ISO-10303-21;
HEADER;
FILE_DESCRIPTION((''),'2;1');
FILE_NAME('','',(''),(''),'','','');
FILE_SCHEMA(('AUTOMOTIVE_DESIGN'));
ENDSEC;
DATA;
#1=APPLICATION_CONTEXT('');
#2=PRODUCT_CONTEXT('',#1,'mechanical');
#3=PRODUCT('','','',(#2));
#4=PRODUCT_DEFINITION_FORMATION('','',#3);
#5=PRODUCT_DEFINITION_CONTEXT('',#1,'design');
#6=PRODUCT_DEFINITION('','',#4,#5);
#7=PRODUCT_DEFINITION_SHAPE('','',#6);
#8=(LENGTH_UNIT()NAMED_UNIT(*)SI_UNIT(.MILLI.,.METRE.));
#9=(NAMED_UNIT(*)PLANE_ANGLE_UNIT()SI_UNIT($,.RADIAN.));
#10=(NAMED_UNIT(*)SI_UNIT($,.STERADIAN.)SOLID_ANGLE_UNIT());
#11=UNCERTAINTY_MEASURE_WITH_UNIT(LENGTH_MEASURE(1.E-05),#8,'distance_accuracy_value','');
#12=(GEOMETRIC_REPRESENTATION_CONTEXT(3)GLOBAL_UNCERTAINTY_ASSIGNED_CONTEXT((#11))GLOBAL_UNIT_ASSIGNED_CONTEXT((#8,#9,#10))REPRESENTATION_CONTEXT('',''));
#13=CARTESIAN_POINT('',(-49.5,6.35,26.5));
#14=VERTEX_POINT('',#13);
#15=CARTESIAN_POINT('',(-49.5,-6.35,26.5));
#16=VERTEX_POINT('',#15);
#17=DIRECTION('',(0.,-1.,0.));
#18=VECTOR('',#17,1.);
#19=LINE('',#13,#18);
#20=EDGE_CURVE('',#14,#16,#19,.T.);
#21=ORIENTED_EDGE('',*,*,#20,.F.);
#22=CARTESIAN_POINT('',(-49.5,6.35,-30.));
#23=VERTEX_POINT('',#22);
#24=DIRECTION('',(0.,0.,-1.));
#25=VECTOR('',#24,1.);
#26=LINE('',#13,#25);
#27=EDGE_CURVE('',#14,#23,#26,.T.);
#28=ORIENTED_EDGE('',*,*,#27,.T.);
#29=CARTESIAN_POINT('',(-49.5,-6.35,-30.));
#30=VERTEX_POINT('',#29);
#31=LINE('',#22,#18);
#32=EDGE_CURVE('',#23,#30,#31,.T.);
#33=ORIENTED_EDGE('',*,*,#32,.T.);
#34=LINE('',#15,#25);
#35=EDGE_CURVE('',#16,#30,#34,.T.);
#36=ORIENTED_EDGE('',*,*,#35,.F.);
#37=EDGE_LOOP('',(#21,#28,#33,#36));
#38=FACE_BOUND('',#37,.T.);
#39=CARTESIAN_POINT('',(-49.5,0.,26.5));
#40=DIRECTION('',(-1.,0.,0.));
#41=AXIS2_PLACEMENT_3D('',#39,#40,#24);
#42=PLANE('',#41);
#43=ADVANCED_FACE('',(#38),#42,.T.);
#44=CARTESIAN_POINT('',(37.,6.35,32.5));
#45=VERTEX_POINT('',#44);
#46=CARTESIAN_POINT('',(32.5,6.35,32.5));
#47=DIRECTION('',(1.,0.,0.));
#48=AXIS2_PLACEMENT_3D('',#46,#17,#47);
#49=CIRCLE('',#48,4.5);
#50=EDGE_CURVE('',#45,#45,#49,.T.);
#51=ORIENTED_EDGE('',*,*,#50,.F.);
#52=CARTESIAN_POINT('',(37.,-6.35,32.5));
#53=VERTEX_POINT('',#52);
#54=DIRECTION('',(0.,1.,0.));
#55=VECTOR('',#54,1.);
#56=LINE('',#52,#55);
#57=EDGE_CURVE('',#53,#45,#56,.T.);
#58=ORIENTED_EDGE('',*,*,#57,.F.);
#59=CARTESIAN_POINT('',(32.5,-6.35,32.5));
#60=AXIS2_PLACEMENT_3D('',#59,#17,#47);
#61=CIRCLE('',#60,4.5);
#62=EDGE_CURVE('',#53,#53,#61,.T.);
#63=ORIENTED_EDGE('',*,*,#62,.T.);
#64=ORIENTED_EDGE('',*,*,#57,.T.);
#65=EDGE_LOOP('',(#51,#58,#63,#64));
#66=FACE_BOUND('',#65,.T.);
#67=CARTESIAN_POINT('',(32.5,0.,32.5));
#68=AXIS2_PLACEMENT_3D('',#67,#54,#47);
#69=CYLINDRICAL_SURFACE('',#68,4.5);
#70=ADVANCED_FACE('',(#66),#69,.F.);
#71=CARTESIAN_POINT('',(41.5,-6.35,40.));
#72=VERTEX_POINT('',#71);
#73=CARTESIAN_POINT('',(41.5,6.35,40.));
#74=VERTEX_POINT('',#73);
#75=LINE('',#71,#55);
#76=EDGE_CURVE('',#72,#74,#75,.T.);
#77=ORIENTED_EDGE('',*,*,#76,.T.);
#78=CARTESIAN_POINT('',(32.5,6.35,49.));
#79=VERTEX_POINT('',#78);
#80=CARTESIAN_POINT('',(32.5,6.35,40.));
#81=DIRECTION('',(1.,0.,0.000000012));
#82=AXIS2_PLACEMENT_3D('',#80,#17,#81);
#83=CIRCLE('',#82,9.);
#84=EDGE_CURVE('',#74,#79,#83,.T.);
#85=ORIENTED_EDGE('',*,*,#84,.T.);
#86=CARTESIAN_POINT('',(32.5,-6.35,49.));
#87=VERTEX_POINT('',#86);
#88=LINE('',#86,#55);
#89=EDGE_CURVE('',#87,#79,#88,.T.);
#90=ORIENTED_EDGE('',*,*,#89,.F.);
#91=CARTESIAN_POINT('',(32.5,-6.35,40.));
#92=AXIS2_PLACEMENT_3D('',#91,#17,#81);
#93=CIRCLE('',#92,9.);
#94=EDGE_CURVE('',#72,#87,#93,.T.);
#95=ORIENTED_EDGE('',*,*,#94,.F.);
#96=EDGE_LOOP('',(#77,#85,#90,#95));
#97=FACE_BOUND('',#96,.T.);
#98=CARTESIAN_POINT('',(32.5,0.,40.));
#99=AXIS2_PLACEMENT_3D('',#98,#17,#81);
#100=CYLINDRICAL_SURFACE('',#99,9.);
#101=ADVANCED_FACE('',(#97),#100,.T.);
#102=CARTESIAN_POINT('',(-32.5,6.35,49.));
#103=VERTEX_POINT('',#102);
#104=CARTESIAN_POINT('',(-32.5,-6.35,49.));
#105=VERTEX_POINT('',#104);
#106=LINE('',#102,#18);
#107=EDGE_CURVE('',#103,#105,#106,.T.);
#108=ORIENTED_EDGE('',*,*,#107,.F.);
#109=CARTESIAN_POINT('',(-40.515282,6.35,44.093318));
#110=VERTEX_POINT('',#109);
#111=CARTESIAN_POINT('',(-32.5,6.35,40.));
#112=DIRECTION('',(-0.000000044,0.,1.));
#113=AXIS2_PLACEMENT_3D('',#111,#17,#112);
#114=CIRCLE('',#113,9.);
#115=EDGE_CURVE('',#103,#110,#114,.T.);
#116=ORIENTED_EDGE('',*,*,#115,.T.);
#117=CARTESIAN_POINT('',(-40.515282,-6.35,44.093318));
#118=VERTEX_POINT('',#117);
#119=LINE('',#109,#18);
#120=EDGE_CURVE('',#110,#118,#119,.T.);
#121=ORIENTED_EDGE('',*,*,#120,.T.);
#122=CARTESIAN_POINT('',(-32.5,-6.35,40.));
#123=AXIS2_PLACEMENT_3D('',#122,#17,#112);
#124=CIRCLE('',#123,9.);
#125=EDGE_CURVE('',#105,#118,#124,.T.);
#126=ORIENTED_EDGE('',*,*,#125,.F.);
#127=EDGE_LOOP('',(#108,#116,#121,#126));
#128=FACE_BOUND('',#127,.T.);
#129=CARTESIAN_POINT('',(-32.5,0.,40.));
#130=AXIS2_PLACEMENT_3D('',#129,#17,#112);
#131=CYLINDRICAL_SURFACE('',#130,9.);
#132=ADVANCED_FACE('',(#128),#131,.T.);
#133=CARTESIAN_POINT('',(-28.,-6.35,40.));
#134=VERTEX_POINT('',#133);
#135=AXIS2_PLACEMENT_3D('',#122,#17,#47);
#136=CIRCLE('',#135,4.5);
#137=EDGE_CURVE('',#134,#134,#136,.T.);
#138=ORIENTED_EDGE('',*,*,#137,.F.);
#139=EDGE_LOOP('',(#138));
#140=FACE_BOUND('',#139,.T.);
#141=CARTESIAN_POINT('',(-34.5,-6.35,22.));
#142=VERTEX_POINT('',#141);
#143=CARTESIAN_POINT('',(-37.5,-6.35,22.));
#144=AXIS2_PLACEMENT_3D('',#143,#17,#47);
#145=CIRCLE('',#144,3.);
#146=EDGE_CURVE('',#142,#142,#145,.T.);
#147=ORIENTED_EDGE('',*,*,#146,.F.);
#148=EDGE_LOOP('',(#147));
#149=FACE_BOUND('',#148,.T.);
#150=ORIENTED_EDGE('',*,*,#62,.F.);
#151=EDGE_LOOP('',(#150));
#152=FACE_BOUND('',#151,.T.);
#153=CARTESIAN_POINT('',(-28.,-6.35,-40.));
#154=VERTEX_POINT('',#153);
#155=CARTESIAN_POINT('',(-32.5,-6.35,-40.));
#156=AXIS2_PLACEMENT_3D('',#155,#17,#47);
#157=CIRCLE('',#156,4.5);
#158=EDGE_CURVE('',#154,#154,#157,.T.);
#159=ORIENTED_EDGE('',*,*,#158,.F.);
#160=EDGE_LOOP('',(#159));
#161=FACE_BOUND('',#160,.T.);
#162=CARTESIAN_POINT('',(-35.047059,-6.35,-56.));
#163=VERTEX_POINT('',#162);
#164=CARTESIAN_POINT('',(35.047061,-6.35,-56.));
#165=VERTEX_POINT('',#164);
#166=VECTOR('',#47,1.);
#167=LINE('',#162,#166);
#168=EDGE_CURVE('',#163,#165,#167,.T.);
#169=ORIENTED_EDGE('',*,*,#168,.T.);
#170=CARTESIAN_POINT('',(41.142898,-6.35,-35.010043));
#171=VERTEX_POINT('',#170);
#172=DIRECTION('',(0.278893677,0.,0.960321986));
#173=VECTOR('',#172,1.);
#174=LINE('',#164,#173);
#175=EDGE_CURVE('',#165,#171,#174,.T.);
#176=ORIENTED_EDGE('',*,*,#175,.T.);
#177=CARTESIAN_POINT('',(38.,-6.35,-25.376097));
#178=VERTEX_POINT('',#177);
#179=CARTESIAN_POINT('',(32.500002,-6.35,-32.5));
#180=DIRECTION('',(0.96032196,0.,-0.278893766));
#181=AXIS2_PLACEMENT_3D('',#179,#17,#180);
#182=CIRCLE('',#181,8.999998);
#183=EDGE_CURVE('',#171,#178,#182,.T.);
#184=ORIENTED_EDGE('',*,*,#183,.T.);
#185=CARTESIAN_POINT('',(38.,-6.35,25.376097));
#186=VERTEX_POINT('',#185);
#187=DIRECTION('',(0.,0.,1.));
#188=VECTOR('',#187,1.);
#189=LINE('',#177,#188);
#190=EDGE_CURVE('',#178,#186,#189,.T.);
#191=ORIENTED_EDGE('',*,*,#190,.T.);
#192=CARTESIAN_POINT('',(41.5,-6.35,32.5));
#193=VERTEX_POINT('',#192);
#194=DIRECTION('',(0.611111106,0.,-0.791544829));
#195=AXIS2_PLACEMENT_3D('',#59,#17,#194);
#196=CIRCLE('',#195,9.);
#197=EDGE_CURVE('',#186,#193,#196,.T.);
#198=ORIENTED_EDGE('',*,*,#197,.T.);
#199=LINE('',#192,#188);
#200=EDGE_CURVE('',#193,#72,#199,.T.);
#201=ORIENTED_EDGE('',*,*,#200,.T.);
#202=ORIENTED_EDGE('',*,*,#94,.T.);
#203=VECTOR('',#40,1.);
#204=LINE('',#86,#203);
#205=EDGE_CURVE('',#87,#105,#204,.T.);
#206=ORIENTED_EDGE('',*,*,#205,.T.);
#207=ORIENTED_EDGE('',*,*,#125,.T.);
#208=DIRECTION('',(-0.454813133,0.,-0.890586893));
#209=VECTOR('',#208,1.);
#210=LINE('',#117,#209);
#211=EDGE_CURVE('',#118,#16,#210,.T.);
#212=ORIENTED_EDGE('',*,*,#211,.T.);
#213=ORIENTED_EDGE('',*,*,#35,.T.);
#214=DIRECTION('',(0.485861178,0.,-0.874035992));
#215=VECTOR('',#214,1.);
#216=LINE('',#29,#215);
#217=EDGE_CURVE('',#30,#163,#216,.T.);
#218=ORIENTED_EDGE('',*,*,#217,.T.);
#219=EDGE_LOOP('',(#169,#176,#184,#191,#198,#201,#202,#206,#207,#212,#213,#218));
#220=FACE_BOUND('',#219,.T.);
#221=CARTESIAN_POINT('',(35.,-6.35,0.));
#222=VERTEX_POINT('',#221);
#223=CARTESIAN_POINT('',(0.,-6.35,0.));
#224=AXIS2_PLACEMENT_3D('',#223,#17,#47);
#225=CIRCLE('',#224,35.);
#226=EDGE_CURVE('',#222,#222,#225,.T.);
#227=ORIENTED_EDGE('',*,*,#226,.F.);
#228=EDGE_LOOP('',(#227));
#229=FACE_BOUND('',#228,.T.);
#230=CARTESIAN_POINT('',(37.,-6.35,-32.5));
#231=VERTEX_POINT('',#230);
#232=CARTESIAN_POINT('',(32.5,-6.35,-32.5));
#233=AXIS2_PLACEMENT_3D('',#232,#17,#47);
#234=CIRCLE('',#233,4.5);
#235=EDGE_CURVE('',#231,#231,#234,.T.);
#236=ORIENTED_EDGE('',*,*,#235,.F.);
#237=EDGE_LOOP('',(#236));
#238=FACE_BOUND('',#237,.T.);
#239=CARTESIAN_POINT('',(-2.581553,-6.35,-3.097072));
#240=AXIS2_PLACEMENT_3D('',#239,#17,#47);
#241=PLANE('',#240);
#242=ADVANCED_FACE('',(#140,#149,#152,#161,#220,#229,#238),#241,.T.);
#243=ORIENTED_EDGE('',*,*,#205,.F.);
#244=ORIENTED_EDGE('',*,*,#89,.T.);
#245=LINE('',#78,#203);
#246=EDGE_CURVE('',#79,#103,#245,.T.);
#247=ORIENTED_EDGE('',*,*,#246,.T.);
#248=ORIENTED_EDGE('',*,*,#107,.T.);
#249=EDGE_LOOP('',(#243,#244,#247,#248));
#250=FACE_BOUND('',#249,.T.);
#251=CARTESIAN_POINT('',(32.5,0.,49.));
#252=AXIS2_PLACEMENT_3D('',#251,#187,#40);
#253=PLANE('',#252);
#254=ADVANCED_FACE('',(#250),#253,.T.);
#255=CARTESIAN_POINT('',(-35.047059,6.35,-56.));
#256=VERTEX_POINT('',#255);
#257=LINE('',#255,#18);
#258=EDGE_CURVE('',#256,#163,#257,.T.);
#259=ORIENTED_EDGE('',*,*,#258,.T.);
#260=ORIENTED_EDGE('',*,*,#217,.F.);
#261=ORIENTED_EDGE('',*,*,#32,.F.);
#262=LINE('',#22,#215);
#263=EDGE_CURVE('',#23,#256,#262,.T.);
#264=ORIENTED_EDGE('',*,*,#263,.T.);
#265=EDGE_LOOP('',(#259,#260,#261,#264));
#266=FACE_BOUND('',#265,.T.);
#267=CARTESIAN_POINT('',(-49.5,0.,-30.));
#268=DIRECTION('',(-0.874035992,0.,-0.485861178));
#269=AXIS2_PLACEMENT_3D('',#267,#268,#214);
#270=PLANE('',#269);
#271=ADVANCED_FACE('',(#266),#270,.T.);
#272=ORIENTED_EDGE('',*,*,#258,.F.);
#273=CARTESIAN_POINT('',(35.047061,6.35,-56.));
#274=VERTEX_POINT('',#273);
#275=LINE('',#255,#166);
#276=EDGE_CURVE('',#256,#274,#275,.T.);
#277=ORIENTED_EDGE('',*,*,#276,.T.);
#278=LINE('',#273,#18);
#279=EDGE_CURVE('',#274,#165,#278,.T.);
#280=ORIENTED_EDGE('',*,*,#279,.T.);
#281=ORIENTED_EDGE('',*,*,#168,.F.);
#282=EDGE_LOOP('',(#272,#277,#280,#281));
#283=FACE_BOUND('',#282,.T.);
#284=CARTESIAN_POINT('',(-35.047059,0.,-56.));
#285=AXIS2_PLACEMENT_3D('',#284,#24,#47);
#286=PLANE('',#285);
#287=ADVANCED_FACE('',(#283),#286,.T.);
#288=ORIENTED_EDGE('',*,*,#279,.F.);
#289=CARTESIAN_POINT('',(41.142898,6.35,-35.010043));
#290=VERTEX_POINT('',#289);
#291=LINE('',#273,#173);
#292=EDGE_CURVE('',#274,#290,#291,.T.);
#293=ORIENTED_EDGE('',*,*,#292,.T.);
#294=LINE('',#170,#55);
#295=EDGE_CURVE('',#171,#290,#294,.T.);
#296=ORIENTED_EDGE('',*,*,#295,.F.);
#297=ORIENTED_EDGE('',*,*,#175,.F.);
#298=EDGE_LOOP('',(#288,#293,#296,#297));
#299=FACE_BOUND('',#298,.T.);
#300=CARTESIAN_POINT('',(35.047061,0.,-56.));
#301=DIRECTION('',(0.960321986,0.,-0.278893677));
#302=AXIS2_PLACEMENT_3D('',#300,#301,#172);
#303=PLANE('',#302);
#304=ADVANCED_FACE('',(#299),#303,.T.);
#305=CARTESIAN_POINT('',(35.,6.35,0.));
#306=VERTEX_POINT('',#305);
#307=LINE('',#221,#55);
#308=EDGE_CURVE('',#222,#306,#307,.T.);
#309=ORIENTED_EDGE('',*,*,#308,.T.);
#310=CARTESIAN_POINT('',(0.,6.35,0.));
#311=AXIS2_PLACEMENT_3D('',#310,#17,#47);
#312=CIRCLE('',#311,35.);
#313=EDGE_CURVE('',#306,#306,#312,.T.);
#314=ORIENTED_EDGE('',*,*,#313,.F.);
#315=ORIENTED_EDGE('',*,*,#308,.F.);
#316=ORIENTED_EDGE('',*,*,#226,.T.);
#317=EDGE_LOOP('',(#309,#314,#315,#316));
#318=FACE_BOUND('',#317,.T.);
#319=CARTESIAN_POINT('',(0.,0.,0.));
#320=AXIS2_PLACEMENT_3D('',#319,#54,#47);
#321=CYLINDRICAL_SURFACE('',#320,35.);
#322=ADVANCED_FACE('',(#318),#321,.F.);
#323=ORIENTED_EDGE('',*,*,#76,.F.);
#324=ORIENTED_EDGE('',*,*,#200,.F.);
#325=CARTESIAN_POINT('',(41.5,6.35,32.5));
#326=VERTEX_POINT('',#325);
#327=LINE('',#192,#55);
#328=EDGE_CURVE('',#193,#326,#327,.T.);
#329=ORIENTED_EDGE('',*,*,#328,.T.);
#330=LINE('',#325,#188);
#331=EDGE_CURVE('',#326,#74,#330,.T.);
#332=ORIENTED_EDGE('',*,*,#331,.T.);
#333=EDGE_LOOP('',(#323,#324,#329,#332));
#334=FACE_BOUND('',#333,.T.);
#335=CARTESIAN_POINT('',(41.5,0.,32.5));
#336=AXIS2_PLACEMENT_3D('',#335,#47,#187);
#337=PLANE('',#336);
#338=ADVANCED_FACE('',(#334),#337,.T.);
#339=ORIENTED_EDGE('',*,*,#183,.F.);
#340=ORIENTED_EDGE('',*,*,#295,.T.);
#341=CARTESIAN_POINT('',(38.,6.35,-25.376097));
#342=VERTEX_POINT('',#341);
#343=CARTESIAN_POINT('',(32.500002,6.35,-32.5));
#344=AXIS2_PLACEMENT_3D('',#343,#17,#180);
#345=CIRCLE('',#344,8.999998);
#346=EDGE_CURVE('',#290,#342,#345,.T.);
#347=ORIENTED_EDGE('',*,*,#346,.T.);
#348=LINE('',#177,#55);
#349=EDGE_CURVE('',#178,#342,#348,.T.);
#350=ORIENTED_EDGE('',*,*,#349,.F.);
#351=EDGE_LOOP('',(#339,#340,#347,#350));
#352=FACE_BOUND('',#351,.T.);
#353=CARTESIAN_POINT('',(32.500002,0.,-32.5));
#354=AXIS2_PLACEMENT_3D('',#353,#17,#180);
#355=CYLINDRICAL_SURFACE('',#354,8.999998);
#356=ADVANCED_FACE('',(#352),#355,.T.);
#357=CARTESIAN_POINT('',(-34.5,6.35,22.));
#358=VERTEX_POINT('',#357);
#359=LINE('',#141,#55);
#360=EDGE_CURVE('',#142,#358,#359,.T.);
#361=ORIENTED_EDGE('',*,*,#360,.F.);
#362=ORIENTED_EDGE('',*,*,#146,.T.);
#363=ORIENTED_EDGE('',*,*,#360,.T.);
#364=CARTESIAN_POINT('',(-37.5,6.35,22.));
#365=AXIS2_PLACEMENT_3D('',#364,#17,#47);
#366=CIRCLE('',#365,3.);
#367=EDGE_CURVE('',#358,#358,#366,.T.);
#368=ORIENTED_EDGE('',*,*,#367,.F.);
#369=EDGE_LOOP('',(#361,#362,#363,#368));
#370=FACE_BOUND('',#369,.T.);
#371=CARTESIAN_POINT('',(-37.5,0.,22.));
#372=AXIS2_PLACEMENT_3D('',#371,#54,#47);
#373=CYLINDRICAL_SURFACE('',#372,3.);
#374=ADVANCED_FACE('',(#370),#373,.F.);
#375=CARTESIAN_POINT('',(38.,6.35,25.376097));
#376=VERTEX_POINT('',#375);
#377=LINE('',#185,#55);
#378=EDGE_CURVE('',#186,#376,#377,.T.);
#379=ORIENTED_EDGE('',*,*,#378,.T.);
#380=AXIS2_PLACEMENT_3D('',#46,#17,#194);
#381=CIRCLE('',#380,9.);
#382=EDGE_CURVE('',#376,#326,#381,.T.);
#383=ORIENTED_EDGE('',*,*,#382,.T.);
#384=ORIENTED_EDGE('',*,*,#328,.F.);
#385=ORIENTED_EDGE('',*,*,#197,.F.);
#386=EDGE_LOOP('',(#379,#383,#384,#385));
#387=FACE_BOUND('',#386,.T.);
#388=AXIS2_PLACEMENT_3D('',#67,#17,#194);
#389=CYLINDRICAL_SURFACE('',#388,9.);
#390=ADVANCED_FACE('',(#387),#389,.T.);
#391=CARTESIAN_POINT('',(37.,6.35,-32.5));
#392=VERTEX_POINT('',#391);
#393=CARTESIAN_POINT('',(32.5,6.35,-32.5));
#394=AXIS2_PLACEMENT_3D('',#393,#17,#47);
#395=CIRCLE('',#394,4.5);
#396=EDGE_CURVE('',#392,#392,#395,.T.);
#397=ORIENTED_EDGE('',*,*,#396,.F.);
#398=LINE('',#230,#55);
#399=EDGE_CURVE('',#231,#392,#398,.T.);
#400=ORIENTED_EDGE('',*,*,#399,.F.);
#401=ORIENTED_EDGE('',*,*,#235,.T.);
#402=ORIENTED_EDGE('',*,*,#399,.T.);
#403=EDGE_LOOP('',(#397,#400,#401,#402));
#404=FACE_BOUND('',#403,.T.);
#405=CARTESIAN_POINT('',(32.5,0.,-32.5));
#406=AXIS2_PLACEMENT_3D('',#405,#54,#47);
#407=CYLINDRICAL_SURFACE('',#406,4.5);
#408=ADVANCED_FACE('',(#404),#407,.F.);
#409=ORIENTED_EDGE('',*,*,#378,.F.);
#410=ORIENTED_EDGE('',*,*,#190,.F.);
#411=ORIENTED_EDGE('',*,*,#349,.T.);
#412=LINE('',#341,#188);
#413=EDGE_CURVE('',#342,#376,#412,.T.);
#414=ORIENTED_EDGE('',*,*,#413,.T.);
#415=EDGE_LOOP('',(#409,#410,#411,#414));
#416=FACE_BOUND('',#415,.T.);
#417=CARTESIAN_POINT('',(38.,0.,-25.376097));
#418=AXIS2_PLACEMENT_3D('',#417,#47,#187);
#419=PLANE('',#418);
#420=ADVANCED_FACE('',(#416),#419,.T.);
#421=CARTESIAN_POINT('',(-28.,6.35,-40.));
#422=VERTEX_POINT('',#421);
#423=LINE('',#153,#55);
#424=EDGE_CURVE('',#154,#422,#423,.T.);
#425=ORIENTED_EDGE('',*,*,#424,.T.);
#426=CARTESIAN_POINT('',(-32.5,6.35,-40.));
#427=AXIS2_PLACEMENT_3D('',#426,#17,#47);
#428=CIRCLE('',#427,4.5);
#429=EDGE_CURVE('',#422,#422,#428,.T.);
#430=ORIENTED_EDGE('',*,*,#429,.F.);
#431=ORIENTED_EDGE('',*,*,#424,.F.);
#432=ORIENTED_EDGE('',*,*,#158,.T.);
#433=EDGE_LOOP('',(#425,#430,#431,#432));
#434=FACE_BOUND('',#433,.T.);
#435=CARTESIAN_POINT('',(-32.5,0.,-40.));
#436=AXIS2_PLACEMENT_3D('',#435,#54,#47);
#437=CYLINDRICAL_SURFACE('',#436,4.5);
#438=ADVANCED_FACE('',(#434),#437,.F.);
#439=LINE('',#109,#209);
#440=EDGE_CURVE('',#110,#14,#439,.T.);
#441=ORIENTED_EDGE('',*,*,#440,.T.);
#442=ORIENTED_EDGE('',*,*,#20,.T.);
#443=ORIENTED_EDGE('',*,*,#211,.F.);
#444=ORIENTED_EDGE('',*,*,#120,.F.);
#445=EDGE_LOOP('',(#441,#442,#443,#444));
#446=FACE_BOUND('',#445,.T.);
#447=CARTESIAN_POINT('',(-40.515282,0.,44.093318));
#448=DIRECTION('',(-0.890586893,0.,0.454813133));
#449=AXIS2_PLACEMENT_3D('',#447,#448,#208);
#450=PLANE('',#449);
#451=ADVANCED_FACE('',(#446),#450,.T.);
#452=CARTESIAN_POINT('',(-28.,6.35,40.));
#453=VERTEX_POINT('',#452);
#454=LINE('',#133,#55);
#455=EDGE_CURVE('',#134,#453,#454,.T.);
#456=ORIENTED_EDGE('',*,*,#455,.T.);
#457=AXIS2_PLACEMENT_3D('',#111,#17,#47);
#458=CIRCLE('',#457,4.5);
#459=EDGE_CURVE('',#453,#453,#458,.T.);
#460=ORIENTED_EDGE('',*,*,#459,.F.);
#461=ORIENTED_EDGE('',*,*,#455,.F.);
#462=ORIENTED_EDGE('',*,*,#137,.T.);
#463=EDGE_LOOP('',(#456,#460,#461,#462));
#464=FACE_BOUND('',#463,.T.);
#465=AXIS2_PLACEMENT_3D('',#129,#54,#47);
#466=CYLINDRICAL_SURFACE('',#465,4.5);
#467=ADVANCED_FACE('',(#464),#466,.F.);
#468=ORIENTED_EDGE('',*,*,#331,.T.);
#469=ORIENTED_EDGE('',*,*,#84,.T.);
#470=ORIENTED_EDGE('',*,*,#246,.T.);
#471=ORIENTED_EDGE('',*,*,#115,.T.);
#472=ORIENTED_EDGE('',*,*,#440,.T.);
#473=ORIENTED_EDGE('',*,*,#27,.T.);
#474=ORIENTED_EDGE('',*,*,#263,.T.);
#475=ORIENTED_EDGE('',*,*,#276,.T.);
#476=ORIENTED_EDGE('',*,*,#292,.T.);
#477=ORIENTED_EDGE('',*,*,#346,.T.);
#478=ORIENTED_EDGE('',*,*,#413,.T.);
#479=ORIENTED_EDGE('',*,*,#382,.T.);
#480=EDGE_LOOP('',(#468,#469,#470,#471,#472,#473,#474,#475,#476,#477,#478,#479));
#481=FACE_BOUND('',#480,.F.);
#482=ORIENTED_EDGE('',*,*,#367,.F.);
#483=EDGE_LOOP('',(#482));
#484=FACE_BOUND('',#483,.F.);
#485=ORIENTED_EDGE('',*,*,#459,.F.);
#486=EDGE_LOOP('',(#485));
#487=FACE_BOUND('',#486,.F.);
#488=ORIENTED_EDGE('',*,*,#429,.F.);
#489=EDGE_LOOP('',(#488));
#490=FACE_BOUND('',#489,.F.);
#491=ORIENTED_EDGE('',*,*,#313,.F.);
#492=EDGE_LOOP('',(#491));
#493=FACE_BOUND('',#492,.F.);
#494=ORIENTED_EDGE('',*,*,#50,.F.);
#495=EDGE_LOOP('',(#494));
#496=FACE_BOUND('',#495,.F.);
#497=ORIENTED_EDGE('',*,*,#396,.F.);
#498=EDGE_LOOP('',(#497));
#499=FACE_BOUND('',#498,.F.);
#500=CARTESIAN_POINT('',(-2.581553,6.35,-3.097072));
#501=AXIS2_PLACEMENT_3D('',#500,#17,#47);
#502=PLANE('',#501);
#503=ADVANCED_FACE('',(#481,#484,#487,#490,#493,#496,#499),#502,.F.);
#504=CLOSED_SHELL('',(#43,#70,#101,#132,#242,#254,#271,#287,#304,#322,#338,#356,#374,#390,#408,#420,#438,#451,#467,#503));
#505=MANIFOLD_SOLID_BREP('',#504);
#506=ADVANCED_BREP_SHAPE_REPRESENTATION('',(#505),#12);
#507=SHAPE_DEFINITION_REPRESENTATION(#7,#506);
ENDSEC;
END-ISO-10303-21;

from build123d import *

# Parameters (mm, degrees)
F0_R     = 4.5
F0_R_2   = 3
F0_R_3   = 35
F1_DEPTH = 6.35


with BuildPart() as f1:
    # F0 (on Front) → F1 (new body, symmetric)
    with BuildSketch(Plane.XZ):
        with BuildLine():
            Line((32.5, 49), (-32.5, 49))
            ThreePointArc((-32.5, 49), (-37.198943, 47.675932), (-40.515282, 44.093318))
            Line((-40.515282, 44.093318), (-49.5, 26.5))
            Line((-49.5, 26.5), (-49.5, -30))
            Line((-49.5, -30), (-35.047059, -56))
            Line((-35.047059, -56), (35.047061, -56))
            Line((35.047061, -56), (41.142898, -35.010043))
            ThreePointArc((41.142898, -35.010043), (41.056204, -29.708696), (38, -25.376097))
            Line((38, -25.376097), (38, 25.376097))
            ThreePointArc((38, 25.376097), (40.577747, 28.531373), (41.5, 32.5))
            Line((41.5, 32.5), (41.5, 40))
            ThreePointArc((41.5, 40), (38.863961, 46.363961), (32.5, 49))
        make_face()
        with Locations((-32.5, -40)):
            Circle(F0_R, mode=Mode.SUBTRACT)
        with Locations((32.5, -32.5)):
            Circle(F0_R, mode=Mode.SUBTRACT)
        with Locations((-37.5, 22)):
            Circle(F0_R_2, mode=Mode.SUBTRACT)
        with Locations((-32.5, 40)):
            Circle(F0_R, mode=Mode.SUBTRACT)
        Circle(F0_R_3, mode=Mode.SUBTRACT)
        with Locations((32.5, 32.5)):
            Circle(F0_R, mode=Mode.SUBTRACT)
    extrude(amount=F1_DEPTH, both=True)


solid = f1.part
